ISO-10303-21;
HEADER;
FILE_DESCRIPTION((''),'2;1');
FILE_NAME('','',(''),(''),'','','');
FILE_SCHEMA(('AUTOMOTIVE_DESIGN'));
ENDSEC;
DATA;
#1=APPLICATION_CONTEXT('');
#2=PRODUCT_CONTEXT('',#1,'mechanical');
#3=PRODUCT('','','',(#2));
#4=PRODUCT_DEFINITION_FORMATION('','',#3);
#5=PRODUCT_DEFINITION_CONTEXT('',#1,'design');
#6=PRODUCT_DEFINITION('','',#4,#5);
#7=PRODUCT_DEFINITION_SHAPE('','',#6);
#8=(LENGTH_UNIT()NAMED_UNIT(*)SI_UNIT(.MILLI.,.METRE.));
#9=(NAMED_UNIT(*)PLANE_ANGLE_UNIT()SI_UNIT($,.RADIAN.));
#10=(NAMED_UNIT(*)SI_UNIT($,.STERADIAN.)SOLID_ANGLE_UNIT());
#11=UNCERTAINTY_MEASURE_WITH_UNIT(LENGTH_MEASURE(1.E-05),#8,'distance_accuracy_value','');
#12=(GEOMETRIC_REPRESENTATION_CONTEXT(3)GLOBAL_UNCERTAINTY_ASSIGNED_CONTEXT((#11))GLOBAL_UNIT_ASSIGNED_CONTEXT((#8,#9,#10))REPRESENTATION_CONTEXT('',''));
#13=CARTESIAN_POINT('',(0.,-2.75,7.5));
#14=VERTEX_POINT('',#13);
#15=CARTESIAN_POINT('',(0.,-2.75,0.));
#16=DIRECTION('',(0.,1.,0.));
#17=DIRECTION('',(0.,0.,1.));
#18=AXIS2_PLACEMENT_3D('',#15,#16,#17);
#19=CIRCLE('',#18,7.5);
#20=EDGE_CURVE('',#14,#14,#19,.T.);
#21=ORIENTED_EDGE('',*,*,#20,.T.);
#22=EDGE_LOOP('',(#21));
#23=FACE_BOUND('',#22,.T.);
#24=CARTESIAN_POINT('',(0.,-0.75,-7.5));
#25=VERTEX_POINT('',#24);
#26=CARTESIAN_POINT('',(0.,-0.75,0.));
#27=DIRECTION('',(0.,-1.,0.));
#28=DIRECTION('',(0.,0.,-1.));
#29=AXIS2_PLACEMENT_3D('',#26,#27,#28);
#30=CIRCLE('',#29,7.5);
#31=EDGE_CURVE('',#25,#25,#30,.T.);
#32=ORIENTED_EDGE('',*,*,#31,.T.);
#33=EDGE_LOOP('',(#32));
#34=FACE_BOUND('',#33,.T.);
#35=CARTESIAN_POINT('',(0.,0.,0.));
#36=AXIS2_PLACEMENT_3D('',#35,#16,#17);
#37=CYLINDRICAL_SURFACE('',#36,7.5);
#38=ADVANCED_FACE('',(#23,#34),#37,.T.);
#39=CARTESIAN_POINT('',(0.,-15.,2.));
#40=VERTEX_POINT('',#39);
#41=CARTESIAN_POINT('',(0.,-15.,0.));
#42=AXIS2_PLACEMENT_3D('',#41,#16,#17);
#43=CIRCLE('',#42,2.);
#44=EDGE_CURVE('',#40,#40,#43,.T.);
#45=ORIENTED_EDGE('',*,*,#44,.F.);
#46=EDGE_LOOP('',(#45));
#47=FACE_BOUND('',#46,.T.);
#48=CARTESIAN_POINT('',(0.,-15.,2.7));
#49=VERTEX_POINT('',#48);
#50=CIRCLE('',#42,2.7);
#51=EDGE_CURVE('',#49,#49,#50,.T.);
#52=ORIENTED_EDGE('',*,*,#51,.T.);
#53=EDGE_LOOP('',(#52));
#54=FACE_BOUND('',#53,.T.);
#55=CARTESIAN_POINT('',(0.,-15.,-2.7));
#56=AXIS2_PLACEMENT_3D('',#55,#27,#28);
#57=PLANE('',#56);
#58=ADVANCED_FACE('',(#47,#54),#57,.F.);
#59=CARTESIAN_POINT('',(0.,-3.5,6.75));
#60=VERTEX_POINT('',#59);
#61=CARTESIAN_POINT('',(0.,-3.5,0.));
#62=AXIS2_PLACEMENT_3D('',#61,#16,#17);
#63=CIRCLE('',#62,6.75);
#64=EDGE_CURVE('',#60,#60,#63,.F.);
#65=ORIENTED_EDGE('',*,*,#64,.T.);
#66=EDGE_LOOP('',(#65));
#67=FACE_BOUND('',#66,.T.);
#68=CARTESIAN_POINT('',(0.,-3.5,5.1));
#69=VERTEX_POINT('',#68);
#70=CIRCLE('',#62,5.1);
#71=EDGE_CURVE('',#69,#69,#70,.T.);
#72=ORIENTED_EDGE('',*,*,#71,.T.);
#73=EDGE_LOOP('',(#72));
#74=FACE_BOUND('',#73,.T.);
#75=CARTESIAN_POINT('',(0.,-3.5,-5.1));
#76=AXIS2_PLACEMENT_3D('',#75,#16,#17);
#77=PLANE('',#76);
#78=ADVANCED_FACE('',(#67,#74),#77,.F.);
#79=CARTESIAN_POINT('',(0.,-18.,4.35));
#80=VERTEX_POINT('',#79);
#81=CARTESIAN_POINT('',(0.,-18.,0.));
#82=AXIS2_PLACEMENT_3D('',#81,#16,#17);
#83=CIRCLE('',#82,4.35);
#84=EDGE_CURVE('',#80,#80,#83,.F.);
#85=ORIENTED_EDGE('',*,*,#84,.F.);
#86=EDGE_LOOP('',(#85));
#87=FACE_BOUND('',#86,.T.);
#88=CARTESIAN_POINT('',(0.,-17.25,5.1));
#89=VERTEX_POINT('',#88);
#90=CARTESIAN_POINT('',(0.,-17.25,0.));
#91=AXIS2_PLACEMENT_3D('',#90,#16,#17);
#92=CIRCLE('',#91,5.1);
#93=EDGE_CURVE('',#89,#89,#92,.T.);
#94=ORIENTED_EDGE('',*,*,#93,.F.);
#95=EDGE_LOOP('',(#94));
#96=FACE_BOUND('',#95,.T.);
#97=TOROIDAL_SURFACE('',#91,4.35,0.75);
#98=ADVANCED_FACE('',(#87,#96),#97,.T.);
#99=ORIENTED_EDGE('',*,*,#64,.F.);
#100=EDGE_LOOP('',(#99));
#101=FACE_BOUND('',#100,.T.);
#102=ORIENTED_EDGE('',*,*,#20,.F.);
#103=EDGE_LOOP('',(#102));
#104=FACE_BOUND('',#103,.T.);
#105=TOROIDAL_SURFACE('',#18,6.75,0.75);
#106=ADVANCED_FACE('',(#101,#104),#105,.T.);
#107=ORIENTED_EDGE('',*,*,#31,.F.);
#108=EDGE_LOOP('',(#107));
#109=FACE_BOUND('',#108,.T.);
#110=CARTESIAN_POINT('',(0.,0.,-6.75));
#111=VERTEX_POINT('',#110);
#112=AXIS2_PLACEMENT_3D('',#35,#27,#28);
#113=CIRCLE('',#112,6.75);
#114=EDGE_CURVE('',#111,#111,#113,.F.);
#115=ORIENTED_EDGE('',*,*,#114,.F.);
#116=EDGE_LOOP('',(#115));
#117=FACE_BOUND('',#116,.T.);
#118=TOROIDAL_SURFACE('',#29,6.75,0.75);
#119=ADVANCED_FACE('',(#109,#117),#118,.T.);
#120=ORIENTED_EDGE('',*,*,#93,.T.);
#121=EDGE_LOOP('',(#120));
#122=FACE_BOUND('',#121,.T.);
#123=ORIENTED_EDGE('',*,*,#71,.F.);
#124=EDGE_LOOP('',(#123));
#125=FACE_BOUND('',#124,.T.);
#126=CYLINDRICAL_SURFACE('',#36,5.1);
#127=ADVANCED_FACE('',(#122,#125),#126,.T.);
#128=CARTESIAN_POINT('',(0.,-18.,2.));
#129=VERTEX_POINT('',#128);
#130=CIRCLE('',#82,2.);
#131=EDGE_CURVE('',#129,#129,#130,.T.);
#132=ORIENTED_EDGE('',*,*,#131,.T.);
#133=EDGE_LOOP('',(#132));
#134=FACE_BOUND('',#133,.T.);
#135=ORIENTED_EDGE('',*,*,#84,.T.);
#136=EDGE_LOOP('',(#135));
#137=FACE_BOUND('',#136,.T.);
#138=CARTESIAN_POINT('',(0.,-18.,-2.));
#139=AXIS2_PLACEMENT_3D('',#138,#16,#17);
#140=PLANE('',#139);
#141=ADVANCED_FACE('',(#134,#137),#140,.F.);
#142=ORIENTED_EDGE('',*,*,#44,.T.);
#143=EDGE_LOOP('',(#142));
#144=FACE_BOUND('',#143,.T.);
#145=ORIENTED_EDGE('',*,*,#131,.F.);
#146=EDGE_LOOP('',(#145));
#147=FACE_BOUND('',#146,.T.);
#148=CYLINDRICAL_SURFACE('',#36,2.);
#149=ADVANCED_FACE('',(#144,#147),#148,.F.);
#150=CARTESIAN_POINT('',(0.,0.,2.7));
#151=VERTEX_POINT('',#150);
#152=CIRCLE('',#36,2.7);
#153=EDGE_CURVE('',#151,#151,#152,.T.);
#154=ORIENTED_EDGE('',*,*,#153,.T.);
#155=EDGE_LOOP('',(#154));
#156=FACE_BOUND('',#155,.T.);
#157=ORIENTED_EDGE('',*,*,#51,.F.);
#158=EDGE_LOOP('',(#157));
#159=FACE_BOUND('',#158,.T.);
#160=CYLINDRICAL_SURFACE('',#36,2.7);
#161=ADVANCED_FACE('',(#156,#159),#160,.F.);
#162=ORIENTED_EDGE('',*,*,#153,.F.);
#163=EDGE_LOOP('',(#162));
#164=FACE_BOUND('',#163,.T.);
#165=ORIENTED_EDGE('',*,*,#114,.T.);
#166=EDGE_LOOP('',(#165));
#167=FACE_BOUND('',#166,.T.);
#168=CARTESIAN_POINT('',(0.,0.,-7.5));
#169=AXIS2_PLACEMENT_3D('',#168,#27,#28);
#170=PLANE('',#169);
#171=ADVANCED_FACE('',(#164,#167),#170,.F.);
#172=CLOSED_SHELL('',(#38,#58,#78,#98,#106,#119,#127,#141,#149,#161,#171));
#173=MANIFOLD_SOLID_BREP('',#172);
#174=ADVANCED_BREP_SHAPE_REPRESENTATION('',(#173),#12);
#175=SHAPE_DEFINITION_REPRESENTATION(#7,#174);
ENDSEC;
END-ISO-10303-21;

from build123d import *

# Parameters (mm, degrees)
FILLET1_R = 0.75


with BuildPart() as part:
    # Sketch1 → Revolve1 (revolve)
    with BuildSketch(Plane(origin=(0, 0, 0), x_dir=(0, 0, -1), z_dir=(1, 0, 0)), mode=Mode.PRIVATE) as revolve1_sk:
        Polygon((2.7, 0), (2.7, -15), (2, -15), (2, -18), (5.1, -18), (5.1, -3.5), (7.5, -3.5), (7.5, 0), align=None)
    revolve(revolve1_sk.sketch.rotate(Axis((0, 0, 0), (0, -1, 0)), 180), axis=Axis((0, 0, 0), (0, -1, 0)))

    # Fillet1
    fillet1_edges = [part.edges().sort_by_distance(p)[0] for p in [
        (0, 0, -7.5),
        (0, -3.5, -7.5),
        (0, -18, -5.1),
    ]]
    fillet(fillet1_edges, radius=FILLET1_R)


solid = part.part
